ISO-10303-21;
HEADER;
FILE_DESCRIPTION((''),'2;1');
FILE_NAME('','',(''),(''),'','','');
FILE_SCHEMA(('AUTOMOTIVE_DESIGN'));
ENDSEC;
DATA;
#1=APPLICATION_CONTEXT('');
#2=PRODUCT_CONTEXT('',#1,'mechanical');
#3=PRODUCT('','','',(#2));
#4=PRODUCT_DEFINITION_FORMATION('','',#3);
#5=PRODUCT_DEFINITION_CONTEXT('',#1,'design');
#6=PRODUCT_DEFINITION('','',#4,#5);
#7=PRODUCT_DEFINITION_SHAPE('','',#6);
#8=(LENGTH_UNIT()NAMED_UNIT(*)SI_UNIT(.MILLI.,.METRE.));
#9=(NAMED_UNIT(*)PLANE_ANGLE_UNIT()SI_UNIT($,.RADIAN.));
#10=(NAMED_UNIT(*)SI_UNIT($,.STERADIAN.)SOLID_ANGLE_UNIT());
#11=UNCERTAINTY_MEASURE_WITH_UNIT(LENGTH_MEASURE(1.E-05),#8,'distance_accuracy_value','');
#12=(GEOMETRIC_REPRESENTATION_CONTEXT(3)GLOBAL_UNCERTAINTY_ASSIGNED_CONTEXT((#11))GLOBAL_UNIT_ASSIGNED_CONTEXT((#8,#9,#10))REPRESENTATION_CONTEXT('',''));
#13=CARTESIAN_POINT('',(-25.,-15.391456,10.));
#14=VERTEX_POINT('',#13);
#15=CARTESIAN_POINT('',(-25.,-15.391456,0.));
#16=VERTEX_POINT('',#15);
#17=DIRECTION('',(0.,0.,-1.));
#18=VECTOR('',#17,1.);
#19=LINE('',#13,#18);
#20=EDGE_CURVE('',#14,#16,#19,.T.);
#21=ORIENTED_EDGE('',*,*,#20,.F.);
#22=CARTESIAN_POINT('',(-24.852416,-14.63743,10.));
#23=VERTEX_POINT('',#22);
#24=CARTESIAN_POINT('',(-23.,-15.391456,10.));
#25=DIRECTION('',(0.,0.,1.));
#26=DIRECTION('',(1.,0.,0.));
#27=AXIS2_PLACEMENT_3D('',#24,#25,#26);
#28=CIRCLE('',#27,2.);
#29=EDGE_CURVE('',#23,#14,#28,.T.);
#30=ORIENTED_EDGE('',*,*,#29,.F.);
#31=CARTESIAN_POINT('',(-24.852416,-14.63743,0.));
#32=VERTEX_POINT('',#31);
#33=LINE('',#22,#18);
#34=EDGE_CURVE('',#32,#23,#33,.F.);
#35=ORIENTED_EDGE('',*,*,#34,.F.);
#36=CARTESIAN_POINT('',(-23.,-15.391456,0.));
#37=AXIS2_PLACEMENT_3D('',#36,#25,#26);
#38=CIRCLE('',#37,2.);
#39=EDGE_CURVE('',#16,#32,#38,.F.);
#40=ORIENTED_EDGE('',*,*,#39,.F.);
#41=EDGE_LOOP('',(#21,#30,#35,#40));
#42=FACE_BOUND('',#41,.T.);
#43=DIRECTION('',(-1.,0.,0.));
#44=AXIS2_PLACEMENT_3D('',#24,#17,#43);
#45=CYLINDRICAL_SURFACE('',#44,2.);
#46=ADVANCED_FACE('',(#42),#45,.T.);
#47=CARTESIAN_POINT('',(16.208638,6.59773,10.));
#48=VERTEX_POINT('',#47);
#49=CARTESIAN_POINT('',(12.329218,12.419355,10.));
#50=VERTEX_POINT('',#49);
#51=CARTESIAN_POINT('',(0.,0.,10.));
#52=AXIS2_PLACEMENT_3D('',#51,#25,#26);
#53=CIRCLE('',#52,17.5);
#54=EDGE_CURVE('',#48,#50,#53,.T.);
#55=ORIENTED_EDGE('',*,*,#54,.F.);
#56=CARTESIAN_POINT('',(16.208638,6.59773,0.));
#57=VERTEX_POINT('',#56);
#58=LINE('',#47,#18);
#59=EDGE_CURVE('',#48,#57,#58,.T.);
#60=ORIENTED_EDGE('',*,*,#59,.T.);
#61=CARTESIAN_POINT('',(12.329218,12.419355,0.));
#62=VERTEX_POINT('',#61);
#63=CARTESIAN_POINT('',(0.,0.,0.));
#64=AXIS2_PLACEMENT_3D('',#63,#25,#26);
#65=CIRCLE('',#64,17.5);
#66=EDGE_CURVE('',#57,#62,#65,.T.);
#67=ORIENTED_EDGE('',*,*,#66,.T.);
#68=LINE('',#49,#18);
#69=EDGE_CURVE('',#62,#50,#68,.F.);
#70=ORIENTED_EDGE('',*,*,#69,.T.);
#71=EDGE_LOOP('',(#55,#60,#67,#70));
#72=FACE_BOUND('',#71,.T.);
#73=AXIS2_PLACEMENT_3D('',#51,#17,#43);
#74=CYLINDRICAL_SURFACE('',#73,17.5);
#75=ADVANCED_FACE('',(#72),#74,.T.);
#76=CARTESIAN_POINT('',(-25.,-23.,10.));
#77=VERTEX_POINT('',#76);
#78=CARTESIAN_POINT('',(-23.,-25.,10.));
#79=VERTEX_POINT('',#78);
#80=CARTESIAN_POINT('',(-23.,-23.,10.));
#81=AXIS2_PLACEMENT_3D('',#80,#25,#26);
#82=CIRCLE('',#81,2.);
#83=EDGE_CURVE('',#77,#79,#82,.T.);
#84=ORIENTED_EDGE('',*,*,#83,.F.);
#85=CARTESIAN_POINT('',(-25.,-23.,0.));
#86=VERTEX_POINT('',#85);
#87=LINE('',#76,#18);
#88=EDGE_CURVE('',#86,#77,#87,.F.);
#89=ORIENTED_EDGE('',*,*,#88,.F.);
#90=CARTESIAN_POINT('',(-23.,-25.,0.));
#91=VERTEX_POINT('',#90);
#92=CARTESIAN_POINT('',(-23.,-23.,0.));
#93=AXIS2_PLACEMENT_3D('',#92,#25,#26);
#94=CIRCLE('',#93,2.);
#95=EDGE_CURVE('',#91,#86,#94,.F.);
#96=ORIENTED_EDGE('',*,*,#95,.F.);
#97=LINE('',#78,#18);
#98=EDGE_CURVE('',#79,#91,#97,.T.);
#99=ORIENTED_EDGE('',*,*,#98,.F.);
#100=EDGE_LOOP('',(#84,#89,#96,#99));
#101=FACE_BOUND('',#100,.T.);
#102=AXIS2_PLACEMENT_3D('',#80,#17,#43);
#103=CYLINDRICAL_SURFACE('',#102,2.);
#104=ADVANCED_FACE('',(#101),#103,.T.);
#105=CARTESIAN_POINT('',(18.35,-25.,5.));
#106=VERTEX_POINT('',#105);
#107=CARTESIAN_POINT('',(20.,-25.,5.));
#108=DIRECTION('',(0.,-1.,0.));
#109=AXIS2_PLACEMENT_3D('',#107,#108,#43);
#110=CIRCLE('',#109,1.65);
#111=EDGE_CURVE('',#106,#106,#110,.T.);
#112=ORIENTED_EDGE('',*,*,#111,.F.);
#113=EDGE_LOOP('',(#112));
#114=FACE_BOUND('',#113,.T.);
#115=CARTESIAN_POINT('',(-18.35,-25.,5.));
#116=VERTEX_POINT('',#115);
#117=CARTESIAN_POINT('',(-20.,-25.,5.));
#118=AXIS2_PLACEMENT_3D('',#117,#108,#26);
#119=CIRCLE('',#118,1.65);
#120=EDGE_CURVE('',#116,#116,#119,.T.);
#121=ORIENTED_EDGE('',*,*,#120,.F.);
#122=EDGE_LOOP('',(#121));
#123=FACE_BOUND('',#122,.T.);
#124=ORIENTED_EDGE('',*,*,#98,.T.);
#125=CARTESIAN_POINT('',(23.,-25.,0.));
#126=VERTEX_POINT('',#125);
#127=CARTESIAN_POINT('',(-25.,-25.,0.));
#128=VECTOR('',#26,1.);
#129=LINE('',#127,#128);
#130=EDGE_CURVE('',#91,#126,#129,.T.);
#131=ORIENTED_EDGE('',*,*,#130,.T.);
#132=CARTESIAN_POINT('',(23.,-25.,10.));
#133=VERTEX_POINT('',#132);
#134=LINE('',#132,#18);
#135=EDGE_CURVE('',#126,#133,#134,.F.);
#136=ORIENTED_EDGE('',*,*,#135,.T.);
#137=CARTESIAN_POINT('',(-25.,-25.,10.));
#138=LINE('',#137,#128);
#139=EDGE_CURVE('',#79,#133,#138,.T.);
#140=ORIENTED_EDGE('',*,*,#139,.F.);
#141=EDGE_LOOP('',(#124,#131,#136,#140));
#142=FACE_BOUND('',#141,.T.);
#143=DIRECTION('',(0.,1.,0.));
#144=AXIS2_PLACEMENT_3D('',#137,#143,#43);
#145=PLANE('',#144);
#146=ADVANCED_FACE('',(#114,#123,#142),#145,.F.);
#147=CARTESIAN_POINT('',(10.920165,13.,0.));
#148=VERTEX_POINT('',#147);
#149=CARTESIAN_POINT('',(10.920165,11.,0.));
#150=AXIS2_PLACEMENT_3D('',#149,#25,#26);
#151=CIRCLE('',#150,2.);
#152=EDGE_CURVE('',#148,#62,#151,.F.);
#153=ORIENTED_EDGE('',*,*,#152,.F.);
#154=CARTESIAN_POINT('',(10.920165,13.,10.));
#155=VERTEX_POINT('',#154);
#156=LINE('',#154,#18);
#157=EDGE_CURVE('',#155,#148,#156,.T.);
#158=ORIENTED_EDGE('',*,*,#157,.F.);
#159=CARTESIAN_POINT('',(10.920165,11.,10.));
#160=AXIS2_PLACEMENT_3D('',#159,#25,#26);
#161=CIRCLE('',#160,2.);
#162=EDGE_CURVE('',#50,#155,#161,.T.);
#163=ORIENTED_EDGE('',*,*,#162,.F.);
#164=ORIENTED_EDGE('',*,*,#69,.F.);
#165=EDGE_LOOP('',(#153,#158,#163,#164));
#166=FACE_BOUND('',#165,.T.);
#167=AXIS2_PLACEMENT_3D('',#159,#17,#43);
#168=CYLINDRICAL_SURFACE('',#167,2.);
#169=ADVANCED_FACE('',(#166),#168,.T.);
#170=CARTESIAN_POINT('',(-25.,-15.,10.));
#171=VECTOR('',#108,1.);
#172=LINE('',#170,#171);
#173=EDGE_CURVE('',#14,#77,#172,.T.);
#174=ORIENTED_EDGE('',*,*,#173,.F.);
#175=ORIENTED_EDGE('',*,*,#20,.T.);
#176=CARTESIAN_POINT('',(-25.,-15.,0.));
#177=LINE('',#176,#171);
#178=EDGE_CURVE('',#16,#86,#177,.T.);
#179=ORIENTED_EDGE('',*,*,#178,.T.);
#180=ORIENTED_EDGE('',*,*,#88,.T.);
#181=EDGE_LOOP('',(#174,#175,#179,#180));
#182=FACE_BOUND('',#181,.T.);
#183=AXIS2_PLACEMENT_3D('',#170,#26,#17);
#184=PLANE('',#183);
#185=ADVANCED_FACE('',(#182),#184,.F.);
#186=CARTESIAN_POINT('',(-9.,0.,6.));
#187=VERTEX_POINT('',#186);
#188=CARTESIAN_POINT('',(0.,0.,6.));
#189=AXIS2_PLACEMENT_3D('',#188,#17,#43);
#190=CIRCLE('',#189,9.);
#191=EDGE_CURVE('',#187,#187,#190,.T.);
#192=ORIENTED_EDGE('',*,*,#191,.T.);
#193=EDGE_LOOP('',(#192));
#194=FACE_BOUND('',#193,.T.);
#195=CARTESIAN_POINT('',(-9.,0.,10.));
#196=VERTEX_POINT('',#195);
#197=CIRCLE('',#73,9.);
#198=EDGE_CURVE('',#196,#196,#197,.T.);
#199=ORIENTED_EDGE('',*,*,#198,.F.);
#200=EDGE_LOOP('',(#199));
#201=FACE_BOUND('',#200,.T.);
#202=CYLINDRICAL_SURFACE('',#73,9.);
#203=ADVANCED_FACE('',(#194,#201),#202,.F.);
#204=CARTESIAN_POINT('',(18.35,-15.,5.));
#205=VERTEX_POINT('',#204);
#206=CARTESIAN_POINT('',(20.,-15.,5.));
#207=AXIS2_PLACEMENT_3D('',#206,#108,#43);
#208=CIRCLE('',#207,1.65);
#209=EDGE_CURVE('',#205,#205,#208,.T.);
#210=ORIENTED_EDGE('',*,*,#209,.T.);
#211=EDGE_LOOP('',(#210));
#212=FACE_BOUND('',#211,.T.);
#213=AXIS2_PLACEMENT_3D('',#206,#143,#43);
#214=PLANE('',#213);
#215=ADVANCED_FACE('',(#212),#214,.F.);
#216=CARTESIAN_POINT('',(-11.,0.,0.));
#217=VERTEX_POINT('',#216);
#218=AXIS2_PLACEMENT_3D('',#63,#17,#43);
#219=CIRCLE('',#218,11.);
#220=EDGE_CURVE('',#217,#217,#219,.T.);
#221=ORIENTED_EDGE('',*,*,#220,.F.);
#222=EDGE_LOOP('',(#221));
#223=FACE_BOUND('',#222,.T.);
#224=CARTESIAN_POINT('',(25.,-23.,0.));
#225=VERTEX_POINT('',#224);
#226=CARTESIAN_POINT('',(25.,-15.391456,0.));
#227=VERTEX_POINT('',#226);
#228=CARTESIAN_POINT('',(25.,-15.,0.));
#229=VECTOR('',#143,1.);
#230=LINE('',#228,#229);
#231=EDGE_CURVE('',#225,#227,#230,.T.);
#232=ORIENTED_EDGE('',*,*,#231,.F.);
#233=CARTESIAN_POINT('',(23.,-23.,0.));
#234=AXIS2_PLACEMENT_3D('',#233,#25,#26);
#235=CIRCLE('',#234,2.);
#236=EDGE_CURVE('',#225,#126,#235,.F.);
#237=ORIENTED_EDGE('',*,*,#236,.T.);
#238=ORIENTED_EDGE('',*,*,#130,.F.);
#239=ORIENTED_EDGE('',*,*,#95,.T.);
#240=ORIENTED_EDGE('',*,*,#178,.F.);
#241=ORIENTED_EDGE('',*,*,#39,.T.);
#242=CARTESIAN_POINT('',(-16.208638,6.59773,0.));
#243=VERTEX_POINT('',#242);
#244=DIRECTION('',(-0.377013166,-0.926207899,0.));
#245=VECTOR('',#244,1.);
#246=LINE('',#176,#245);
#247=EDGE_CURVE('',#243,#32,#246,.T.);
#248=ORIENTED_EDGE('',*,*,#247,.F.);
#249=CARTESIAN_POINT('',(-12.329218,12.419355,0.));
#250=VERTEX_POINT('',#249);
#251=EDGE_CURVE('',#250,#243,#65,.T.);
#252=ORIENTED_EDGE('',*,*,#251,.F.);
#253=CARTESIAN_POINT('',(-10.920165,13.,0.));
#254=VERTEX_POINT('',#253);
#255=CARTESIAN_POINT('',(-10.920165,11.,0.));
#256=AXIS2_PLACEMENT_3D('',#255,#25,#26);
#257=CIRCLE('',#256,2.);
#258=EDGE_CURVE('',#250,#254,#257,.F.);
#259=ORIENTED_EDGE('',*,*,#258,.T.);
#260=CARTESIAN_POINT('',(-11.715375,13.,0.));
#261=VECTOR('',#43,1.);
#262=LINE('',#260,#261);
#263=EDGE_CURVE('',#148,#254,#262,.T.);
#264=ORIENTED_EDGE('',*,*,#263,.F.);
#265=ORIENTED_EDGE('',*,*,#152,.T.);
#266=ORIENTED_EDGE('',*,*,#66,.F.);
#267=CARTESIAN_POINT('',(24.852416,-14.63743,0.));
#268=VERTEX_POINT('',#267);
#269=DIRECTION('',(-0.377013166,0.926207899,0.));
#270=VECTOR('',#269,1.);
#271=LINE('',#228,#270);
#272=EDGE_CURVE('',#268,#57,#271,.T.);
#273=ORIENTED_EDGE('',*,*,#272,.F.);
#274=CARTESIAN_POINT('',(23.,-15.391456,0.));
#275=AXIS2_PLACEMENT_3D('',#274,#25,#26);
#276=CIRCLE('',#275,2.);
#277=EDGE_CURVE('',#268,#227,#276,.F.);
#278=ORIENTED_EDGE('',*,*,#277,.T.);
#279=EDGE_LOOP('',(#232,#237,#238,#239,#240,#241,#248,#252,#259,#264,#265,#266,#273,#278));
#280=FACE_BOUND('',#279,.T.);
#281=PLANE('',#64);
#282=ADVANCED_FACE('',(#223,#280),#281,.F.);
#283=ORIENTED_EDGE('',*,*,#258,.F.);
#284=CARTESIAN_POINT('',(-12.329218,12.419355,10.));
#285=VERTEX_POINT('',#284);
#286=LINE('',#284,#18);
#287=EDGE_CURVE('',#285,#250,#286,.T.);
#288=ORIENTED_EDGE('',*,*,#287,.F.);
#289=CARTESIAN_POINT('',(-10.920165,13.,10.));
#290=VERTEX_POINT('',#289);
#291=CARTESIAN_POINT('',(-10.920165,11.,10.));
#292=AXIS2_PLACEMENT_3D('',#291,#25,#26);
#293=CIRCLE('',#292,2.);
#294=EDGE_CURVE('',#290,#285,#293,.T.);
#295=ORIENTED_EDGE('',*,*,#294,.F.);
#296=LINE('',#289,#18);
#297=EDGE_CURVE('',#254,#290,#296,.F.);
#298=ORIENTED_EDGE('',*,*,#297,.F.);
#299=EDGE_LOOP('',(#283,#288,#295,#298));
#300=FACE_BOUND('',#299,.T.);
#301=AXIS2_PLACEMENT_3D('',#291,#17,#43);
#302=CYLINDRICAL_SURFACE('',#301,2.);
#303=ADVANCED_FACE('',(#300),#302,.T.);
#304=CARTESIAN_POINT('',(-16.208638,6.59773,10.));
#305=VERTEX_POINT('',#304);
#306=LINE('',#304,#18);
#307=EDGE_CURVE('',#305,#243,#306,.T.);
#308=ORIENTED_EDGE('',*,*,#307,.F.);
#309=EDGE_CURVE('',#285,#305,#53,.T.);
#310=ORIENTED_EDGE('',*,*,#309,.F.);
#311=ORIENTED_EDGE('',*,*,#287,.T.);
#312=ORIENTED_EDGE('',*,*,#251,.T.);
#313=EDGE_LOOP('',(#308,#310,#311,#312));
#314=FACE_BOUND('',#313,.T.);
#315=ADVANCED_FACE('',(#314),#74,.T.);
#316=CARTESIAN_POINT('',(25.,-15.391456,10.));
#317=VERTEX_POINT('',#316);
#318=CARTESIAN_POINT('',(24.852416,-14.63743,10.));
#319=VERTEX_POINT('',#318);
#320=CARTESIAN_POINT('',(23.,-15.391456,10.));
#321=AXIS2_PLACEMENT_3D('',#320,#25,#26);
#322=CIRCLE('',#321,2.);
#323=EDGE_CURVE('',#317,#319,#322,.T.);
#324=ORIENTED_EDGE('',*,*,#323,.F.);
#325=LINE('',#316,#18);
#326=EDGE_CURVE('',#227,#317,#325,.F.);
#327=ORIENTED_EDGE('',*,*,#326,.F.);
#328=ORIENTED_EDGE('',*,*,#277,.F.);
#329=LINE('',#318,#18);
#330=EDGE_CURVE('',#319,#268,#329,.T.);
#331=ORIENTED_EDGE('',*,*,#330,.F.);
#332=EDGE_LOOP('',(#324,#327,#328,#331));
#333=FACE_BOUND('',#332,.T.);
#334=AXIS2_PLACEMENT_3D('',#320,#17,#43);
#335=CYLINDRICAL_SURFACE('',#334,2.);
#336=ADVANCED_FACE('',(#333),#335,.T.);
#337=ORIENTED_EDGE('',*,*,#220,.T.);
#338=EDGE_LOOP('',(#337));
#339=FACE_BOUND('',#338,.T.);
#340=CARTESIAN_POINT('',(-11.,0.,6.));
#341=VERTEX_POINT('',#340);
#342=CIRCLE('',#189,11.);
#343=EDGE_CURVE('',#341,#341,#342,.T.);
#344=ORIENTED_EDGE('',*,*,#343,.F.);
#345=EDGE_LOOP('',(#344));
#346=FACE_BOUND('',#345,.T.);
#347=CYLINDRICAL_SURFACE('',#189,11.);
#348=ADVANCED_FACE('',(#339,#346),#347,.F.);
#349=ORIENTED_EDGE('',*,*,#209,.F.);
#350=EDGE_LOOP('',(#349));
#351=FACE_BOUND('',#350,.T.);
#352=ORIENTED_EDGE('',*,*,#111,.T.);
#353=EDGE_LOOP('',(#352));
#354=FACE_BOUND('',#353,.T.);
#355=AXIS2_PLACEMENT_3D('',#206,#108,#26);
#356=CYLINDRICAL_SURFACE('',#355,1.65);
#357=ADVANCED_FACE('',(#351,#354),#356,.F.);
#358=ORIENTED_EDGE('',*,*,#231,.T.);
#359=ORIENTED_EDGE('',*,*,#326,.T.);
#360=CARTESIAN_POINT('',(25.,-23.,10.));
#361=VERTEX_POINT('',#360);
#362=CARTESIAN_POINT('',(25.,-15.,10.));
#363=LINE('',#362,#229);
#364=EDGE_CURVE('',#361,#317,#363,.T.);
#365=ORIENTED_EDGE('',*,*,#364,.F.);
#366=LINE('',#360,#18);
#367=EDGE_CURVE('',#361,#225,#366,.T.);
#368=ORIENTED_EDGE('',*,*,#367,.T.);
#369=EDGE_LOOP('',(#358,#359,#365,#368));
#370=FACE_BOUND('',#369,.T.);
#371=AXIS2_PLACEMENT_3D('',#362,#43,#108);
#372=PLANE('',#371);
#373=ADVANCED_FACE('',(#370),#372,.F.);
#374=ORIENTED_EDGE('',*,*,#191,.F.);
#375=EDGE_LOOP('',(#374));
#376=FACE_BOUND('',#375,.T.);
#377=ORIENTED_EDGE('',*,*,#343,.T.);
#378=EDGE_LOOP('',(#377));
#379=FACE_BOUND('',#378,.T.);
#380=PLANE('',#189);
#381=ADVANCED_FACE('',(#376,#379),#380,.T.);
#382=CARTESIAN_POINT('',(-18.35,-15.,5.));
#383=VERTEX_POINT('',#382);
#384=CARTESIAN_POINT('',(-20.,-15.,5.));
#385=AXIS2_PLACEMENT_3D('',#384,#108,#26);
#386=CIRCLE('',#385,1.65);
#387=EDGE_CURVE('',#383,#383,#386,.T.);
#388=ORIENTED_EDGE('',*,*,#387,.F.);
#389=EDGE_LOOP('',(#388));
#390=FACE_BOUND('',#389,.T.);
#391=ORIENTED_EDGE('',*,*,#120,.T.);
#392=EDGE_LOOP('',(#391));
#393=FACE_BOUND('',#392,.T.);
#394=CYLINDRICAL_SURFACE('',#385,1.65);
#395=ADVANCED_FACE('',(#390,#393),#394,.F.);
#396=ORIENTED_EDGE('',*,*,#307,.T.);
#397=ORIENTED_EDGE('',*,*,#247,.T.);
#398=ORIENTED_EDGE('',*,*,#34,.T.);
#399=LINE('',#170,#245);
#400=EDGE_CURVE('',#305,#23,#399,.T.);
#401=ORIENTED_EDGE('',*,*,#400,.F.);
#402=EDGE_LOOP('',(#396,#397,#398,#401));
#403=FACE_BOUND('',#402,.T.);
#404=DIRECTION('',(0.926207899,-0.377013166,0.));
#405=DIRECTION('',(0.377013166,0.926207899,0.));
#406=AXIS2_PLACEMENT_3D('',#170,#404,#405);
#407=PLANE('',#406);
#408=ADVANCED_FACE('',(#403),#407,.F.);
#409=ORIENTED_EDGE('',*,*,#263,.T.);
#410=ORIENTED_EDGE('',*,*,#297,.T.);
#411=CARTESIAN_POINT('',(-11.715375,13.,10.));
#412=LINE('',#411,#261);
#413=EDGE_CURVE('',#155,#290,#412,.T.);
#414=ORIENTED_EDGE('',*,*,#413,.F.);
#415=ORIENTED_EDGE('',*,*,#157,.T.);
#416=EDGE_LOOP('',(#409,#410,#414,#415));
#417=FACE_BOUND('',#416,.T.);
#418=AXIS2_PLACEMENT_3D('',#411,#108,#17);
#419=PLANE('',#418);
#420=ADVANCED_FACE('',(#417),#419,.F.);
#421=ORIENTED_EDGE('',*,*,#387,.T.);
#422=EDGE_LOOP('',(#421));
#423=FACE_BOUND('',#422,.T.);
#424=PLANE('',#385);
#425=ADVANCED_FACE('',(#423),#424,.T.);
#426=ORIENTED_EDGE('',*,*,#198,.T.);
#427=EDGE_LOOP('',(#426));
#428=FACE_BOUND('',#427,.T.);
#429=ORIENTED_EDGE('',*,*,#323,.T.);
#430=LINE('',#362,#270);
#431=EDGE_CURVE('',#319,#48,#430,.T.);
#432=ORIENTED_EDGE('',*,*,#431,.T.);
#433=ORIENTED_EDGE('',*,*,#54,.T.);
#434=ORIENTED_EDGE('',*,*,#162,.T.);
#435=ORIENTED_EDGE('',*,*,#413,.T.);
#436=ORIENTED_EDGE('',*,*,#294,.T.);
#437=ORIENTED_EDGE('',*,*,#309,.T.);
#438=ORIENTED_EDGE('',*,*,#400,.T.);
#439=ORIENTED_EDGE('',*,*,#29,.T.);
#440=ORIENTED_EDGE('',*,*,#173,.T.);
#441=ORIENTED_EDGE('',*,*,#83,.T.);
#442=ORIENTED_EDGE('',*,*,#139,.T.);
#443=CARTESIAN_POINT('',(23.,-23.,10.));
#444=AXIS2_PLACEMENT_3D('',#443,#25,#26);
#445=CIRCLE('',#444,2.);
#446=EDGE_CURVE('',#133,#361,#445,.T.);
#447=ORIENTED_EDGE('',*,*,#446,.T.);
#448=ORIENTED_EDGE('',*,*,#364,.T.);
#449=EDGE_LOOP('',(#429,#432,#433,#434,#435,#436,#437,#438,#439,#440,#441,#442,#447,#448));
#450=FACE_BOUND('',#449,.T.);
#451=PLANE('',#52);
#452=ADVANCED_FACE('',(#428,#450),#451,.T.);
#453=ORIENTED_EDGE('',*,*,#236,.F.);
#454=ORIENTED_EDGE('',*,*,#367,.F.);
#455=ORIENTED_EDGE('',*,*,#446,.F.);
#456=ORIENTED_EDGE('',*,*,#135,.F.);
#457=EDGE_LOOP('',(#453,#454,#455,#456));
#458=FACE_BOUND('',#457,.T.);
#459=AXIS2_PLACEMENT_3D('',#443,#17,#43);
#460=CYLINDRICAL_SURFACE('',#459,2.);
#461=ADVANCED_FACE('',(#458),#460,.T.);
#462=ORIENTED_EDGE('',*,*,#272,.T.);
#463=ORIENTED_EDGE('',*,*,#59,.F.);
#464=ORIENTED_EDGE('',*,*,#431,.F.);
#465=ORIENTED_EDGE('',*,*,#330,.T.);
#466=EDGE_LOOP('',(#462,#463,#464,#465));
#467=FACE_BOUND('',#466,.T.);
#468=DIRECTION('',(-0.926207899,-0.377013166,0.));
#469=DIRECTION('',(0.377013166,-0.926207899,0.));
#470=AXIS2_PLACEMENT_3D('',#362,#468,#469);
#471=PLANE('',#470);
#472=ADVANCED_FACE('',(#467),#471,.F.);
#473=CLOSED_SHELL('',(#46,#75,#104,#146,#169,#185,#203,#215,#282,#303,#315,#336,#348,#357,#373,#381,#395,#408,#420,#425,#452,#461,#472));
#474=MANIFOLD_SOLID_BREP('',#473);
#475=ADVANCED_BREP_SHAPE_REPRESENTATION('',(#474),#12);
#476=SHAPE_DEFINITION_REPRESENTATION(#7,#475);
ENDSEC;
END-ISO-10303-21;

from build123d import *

# Parameters (mm, degrees)
EXTRUDE_1_DEPTH     = 10
SKETCH_2_R          = 11
CUT_EXTRUDE_1_DEPTH = 6
SKETCH_3_R          = 1.65
CUT_EXTRUDE_2_DEPTH = 10
SKETCH_4_R          = 9
CUT_EXTRUDE_3_DEPTH = 36.860842154
FILLET_1_R          = 2


with BuildPart() as part:
    # ｽｹｯﾁ1 → ﾎﾞｽ - 押し出し1 (new body)
    with BuildSketch(Plane.XY):
        with BuildLine():
            Line((-25, -15), (-16.20863824, 6.597730399))
            ThreePointArc((-16.20863824, 6.597730399), (-14.32427611, 10.053114638), (-11.715374514, 13))
            Line((-11.715374514, 13), (11.715374514, 13))
            ThreePointArc((11.715374514, 13), (14.32427611, 10.053114638), (16.20863824, 6.597730399))
            Line((16.20863824, 6.597730399), (25, -15))
            Line((25, -15), (25, -25))
            Line((25, -25), (-25, -25))
            Line((-25, -25), (-25, -15))
        make_face()
    extrude(amount=EXTRUDE_1_DEPTH)

    # ｽｹｯﾁ2 → ｶｯﾄ - 押し出し1 (cut)
    with BuildSketch(Plane(origin=(0, 0, 0), x_dir=(-1, 0, 0), z_dir=(0, 0, -1))):
        Circle(SKETCH_2_R)
    extrude(amount=-CUT_EXTRUDE_1_DEPTH, mode=Mode.SUBTRACT)

    # ｽｹｯﾁ3 → ｶｯﾄ - 押し出し2 (cut)
    with BuildSketch(Plane.XZ.offset(25)):
        with Locations((-20, 5)):
            Circle(SKETCH_3_R)
        with Locations(Location((20, 5, 0), (0, 0, 180))):
            Circle(SKETCH_3_R)
    extrude(amount=-CUT_EXTRUDE_2_DEPTH, mode=Mode.SUBTRACT)

    # ｽｹｯﾁ4 → ｶｯﾄ - 押し出し3 (cut, through all)
    with BuildSketch(Plane(origin=(0, 0, 6), x_dir=(-1, 0, 0), z_dir=(0, 0, -1))):
        Circle(SKETCH_4_R)
    extrude(amount=-CUT_EXTRUDE_3_DEPTH, mode=Mode.SUBTRACT)

    # ﾌｨﾚｯﾄ1
    fillet_1_edges = [part.edges().sort_by_distance(p)[0] for p in [
        (25, -25, 5),
        (-25, -25, 5),
        (-25, -15, 5),
        (-11.715374514, 13, 5),
        (11.715374514, 13, 5),
        (25, -15, 5),
    ]]
    fillet(fillet_1_edges, radius=FILLET_1_R)


solid = part.part
